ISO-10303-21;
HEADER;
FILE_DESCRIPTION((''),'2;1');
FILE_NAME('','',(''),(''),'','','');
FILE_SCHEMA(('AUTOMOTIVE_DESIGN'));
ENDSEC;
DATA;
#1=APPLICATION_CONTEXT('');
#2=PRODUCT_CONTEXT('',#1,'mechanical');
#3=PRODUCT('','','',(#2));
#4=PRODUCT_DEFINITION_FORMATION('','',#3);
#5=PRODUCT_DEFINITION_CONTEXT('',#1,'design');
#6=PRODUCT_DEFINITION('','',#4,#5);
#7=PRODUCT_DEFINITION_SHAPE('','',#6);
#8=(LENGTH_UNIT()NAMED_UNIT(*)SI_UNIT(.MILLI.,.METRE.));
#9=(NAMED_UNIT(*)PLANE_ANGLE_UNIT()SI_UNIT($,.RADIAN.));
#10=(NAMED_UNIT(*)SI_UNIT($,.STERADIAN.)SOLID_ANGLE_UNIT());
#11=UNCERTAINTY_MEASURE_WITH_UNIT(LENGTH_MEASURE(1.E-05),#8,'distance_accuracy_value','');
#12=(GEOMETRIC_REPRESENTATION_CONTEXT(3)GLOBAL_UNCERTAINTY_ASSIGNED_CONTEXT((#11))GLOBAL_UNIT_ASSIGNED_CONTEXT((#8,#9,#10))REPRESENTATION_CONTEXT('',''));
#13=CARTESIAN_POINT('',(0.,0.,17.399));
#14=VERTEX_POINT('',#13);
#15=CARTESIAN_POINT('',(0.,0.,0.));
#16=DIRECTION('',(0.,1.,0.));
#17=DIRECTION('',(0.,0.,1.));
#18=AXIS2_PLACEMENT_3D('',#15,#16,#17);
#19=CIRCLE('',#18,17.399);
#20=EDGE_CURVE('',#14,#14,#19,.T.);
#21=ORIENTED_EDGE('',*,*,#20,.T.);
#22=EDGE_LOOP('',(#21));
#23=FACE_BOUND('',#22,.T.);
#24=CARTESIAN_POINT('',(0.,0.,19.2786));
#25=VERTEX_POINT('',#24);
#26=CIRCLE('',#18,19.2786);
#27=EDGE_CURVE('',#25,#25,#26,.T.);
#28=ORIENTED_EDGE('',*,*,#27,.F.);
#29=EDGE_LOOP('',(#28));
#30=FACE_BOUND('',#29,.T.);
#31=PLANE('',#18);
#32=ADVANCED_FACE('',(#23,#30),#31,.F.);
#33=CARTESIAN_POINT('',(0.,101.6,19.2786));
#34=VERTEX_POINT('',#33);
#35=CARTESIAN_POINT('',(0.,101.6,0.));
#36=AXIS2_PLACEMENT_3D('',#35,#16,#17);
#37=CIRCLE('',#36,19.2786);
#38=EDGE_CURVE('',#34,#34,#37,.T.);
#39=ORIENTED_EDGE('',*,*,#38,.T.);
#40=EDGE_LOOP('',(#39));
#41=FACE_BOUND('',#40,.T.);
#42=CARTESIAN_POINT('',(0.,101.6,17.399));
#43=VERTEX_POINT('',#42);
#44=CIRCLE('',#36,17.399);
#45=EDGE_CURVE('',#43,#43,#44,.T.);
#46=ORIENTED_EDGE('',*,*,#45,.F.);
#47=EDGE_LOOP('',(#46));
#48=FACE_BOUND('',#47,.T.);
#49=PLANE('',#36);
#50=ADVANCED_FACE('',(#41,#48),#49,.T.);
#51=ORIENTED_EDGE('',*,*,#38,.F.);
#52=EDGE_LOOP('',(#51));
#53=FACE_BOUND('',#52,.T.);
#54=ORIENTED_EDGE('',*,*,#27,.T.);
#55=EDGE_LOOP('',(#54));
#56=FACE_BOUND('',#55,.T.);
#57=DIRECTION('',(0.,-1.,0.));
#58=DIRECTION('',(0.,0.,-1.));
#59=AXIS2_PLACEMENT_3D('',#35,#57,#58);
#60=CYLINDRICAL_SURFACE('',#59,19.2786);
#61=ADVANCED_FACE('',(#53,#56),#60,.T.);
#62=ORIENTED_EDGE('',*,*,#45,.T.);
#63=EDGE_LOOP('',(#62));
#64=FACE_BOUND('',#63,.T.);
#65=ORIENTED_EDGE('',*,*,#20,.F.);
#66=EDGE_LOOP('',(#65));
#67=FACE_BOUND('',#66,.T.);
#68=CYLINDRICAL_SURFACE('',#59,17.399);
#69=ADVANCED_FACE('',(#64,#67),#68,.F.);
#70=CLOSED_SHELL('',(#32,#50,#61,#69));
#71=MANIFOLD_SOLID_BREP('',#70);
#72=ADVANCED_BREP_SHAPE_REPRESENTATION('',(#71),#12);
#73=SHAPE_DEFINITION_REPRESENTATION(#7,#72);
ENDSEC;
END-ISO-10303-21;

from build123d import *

# Parameters (mm, degrees)
SKETCH1_R           = 19.2786
SKETCH1_R_2         = 17.399
BOSS_EXTRUDE1_DEPTH = 101.6


with BuildPart() as part:
    # Sketch1 → Boss-Extrude1 (new body)
    with BuildSketch(Plane(origin=(0, 0, 0), x_dir=(1, 0, 0), z_dir=(0, 1, 0))):
        with Locations(Location((0, 0, 0), (0, 0, 270))):
            Circle(SKETCH1_R)
        with Locations(Location((0, 0, 0), (0, 0, 270))):
            Circle(SKETCH1_R_2, mode=Mode.SUBTRACT)
    extrude(amount=BOSS_EXTRUDE1_DEPTH)


solid = part.part
